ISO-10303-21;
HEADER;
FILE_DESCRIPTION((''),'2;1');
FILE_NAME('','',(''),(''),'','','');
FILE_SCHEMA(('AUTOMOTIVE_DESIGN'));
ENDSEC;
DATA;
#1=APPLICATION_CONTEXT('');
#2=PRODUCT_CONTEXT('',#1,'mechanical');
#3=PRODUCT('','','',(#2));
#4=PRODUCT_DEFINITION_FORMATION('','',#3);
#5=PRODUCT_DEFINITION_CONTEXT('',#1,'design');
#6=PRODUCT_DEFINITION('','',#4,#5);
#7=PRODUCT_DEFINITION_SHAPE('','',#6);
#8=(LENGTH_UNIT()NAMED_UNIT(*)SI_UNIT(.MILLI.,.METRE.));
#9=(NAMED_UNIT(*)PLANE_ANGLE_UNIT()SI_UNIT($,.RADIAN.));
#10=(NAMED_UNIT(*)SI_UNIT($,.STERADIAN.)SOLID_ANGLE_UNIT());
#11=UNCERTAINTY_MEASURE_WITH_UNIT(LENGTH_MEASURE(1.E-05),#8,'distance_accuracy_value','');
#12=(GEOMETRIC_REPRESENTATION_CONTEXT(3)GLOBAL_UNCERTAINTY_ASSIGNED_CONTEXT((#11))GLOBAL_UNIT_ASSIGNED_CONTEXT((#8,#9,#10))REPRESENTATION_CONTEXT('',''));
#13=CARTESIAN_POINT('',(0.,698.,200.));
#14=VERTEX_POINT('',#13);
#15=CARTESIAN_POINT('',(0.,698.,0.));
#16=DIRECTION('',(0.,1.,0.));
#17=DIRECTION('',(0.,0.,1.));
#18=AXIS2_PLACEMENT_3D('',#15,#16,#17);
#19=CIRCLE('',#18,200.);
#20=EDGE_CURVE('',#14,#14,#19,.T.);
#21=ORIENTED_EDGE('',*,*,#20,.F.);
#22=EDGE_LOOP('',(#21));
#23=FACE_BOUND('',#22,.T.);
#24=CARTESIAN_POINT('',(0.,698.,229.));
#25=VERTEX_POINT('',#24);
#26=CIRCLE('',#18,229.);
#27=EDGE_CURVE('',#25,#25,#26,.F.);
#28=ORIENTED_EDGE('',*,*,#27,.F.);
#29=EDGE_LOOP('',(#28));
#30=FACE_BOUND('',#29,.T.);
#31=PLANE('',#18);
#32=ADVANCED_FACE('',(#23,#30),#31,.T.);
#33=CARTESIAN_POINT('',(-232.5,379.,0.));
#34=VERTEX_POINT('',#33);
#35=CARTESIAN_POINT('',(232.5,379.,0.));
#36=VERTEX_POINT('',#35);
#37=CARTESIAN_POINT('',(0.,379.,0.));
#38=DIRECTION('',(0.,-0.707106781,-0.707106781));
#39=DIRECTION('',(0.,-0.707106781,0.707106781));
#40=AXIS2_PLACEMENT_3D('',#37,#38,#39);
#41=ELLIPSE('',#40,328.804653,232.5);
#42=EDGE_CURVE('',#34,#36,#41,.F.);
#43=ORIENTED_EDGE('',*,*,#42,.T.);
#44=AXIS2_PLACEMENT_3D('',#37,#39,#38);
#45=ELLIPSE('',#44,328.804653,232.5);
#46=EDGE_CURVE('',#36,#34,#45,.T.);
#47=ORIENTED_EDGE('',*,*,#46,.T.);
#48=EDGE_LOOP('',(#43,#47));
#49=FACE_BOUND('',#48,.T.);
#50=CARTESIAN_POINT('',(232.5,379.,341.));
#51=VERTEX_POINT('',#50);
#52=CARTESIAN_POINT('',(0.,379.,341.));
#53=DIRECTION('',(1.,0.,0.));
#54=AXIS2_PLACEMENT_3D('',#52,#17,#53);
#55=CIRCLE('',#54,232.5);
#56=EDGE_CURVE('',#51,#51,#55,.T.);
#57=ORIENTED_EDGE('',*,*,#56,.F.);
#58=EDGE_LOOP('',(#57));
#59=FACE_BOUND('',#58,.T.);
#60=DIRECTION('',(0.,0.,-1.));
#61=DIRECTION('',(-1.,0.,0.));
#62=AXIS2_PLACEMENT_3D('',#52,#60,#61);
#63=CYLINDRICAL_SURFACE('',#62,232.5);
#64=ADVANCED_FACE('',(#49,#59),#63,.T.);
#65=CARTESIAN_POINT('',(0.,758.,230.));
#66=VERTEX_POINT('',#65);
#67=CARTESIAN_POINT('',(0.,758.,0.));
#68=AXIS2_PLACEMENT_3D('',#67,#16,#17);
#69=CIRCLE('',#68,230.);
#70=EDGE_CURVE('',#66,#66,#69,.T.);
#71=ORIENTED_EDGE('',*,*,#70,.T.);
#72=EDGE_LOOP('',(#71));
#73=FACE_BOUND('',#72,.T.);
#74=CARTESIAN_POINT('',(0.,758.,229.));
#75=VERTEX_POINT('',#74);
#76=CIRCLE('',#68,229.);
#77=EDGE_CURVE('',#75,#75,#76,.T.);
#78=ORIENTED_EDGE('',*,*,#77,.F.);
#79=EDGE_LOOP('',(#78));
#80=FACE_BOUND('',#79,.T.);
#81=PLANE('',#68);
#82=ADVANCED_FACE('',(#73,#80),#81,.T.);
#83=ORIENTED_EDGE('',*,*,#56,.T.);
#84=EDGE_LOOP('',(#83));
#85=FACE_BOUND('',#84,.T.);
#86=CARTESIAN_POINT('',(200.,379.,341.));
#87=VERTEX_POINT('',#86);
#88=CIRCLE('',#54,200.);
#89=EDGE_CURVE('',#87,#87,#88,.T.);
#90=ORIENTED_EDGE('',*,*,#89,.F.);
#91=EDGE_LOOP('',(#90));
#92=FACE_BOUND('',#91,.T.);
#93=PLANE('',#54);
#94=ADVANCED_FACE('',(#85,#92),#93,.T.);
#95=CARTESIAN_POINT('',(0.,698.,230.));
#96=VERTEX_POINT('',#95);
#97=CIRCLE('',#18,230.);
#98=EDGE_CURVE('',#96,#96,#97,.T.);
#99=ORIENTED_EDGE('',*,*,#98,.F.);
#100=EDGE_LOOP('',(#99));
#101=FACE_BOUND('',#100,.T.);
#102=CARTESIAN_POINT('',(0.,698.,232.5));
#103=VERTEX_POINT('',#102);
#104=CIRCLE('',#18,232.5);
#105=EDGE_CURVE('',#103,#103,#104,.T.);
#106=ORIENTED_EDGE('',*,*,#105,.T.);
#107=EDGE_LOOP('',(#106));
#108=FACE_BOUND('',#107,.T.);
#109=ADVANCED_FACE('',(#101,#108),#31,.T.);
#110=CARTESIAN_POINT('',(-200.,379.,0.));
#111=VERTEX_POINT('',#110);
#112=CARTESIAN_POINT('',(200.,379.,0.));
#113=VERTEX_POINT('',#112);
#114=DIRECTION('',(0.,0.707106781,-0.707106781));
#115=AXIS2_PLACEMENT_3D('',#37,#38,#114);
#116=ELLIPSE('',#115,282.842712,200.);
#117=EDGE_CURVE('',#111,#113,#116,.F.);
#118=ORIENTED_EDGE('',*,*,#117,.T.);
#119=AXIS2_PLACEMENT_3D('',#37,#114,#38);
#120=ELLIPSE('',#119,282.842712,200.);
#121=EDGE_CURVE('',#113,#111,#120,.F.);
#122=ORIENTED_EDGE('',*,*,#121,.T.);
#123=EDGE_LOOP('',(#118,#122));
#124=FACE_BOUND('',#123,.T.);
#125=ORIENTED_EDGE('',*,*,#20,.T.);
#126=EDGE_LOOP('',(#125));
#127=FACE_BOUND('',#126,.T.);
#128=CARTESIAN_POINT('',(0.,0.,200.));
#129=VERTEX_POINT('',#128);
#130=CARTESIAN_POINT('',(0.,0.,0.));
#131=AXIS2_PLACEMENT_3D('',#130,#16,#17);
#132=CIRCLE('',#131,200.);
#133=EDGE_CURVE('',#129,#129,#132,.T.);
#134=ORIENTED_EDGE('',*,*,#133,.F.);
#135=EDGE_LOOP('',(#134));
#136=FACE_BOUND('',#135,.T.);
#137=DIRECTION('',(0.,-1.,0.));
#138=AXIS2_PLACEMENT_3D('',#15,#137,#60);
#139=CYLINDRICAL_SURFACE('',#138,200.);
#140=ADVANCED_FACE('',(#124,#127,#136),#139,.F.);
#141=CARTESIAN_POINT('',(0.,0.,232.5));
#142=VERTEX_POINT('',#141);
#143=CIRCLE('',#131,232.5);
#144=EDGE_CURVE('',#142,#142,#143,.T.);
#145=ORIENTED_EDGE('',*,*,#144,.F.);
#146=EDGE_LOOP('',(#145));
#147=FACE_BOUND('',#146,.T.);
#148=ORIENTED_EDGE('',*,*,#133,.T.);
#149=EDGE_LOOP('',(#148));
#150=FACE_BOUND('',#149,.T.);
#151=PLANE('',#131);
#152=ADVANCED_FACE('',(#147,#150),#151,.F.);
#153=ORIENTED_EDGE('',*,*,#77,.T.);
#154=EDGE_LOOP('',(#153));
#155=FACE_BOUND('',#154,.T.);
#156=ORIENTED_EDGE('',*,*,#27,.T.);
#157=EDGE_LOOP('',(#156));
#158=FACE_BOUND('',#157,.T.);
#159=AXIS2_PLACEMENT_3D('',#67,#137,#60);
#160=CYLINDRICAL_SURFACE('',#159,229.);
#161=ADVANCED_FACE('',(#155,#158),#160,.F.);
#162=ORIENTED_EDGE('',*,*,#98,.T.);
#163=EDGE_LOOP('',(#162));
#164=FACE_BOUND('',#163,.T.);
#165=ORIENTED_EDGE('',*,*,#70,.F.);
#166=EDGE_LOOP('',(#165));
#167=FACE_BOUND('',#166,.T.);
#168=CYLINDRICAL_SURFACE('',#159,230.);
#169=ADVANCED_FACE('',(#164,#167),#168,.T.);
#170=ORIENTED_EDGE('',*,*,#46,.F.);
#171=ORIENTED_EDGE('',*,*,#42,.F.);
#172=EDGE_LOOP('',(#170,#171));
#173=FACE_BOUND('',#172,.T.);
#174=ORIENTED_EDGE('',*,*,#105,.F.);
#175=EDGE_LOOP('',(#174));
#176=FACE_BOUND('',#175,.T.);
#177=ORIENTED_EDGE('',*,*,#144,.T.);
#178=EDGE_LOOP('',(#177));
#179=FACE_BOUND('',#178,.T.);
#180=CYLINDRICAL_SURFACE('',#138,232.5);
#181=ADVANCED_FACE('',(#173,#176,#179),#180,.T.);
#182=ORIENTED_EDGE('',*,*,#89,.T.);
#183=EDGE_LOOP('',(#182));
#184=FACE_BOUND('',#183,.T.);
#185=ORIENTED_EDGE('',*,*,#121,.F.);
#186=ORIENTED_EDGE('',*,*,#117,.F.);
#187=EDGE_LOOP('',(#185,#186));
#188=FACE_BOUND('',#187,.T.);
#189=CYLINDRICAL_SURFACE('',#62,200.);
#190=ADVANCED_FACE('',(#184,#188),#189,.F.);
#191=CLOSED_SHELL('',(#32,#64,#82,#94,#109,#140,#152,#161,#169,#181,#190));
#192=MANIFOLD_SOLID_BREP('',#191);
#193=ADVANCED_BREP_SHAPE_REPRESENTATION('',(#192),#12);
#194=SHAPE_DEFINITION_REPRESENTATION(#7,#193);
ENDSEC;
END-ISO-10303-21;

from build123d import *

# Parameters (mm, degrees)
SKETCH_1_R          = 232.5
SKETCH_1_R_2        = 200
EXTRUDE_1_DEPTH     = 698
SKETCH_11_R         = 230
SKETCH_11_R_2       = 229
EXTRUDE_1_2_DEPTH   = 60
SKETCH_12_R         = 232.5
SKETCH_12_R_2       = 200
EXTRUDE_2_DEPTH     = 341
SKETCH_13_R         = 200
CUT_EXTRUDE_1_DEPTH = 380
CUT_EXTRUDE_START   = -1000
SKETCH_14_R         = 200
CUT_EXTRUDE_2_DEPTH = 1000


with BuildPart() as part:
    # Эскиз1 → Extrude 1 (new body)
    with BuildSketch(Plane(origin=(0, 0, 0), x_dir=(1, 0, 0), z_dir=(0, 1, 0))):
        with Locations(Location((0, 0, 0), (0, 0, 270))):
            Circle(SKETCH_1_R)
        with Locations(Location((0, 0, 0), (0, 0, 270))):
            Circle(SKETCH_1_R_2, mode=Mode.SUBTRACT)
    extrude(amount=EXTRUDE_1_DEPTH)

    # Эскиз11 → Extrude 1 2 (add)
    with BuildSketch(Plane(origin=(0, 698, 0), x_dir=(1, 0, 0), z_dir=(0, 1, 0))):
        with Locations(Location((0, 0, 0), (0, 0, 270))):
            Circle(SKETCH_11_R)
        with Locations(Location((0, 0, 0), (0, 0, 270))):
            Circle(SKETCH_11_R_2, mode=Mode.SUBTRACT)
    extrude(amount=EXTRUDE_1_2_DEPTH)

    # Эскиз12 → Бобышка-Вытянуть2 (add)
    with BuildSketch(Plane.XY):
        with Locations((0, 379)):
            Circle(SKETCH_12_R)
        with Locations(Location((0, 379, 0), (0, 0, 180))):
            Circle(SKETCH_12_R_2, mode=Mode.SUBTRACT)
    extrude(amount=EXTRUDE_2_DEPTH)

    # Эскиз13 → Вырез-Вытянуть1 (cut)
    with BuildSketch(Plane.XY):
        with Locations((0, 379)):
            Circle(SKETCH_13_R)
    extrude(amount=CUT_EXTRUDE_1_DEPTH, mode=Mode.SUBTRACT)

    # Эскиз14 → Вырез-Вытянуть2 (cut)
    with BuildSketch(Plane(origin=(0, 698, 0), x_dir=(1, 0, 0), z_dir=(0, 1, 0)).offset(CUT_EXTRUDE_START)):
        with Locations(Location((0, 0, 0), (0, 0, 270))):
            Circle(SKETCH_14_R)
    extrude(amount=CUT_EXTRUDE_2_DEPTH, mode=Mode.SUBTRACT)


solid = part.part
